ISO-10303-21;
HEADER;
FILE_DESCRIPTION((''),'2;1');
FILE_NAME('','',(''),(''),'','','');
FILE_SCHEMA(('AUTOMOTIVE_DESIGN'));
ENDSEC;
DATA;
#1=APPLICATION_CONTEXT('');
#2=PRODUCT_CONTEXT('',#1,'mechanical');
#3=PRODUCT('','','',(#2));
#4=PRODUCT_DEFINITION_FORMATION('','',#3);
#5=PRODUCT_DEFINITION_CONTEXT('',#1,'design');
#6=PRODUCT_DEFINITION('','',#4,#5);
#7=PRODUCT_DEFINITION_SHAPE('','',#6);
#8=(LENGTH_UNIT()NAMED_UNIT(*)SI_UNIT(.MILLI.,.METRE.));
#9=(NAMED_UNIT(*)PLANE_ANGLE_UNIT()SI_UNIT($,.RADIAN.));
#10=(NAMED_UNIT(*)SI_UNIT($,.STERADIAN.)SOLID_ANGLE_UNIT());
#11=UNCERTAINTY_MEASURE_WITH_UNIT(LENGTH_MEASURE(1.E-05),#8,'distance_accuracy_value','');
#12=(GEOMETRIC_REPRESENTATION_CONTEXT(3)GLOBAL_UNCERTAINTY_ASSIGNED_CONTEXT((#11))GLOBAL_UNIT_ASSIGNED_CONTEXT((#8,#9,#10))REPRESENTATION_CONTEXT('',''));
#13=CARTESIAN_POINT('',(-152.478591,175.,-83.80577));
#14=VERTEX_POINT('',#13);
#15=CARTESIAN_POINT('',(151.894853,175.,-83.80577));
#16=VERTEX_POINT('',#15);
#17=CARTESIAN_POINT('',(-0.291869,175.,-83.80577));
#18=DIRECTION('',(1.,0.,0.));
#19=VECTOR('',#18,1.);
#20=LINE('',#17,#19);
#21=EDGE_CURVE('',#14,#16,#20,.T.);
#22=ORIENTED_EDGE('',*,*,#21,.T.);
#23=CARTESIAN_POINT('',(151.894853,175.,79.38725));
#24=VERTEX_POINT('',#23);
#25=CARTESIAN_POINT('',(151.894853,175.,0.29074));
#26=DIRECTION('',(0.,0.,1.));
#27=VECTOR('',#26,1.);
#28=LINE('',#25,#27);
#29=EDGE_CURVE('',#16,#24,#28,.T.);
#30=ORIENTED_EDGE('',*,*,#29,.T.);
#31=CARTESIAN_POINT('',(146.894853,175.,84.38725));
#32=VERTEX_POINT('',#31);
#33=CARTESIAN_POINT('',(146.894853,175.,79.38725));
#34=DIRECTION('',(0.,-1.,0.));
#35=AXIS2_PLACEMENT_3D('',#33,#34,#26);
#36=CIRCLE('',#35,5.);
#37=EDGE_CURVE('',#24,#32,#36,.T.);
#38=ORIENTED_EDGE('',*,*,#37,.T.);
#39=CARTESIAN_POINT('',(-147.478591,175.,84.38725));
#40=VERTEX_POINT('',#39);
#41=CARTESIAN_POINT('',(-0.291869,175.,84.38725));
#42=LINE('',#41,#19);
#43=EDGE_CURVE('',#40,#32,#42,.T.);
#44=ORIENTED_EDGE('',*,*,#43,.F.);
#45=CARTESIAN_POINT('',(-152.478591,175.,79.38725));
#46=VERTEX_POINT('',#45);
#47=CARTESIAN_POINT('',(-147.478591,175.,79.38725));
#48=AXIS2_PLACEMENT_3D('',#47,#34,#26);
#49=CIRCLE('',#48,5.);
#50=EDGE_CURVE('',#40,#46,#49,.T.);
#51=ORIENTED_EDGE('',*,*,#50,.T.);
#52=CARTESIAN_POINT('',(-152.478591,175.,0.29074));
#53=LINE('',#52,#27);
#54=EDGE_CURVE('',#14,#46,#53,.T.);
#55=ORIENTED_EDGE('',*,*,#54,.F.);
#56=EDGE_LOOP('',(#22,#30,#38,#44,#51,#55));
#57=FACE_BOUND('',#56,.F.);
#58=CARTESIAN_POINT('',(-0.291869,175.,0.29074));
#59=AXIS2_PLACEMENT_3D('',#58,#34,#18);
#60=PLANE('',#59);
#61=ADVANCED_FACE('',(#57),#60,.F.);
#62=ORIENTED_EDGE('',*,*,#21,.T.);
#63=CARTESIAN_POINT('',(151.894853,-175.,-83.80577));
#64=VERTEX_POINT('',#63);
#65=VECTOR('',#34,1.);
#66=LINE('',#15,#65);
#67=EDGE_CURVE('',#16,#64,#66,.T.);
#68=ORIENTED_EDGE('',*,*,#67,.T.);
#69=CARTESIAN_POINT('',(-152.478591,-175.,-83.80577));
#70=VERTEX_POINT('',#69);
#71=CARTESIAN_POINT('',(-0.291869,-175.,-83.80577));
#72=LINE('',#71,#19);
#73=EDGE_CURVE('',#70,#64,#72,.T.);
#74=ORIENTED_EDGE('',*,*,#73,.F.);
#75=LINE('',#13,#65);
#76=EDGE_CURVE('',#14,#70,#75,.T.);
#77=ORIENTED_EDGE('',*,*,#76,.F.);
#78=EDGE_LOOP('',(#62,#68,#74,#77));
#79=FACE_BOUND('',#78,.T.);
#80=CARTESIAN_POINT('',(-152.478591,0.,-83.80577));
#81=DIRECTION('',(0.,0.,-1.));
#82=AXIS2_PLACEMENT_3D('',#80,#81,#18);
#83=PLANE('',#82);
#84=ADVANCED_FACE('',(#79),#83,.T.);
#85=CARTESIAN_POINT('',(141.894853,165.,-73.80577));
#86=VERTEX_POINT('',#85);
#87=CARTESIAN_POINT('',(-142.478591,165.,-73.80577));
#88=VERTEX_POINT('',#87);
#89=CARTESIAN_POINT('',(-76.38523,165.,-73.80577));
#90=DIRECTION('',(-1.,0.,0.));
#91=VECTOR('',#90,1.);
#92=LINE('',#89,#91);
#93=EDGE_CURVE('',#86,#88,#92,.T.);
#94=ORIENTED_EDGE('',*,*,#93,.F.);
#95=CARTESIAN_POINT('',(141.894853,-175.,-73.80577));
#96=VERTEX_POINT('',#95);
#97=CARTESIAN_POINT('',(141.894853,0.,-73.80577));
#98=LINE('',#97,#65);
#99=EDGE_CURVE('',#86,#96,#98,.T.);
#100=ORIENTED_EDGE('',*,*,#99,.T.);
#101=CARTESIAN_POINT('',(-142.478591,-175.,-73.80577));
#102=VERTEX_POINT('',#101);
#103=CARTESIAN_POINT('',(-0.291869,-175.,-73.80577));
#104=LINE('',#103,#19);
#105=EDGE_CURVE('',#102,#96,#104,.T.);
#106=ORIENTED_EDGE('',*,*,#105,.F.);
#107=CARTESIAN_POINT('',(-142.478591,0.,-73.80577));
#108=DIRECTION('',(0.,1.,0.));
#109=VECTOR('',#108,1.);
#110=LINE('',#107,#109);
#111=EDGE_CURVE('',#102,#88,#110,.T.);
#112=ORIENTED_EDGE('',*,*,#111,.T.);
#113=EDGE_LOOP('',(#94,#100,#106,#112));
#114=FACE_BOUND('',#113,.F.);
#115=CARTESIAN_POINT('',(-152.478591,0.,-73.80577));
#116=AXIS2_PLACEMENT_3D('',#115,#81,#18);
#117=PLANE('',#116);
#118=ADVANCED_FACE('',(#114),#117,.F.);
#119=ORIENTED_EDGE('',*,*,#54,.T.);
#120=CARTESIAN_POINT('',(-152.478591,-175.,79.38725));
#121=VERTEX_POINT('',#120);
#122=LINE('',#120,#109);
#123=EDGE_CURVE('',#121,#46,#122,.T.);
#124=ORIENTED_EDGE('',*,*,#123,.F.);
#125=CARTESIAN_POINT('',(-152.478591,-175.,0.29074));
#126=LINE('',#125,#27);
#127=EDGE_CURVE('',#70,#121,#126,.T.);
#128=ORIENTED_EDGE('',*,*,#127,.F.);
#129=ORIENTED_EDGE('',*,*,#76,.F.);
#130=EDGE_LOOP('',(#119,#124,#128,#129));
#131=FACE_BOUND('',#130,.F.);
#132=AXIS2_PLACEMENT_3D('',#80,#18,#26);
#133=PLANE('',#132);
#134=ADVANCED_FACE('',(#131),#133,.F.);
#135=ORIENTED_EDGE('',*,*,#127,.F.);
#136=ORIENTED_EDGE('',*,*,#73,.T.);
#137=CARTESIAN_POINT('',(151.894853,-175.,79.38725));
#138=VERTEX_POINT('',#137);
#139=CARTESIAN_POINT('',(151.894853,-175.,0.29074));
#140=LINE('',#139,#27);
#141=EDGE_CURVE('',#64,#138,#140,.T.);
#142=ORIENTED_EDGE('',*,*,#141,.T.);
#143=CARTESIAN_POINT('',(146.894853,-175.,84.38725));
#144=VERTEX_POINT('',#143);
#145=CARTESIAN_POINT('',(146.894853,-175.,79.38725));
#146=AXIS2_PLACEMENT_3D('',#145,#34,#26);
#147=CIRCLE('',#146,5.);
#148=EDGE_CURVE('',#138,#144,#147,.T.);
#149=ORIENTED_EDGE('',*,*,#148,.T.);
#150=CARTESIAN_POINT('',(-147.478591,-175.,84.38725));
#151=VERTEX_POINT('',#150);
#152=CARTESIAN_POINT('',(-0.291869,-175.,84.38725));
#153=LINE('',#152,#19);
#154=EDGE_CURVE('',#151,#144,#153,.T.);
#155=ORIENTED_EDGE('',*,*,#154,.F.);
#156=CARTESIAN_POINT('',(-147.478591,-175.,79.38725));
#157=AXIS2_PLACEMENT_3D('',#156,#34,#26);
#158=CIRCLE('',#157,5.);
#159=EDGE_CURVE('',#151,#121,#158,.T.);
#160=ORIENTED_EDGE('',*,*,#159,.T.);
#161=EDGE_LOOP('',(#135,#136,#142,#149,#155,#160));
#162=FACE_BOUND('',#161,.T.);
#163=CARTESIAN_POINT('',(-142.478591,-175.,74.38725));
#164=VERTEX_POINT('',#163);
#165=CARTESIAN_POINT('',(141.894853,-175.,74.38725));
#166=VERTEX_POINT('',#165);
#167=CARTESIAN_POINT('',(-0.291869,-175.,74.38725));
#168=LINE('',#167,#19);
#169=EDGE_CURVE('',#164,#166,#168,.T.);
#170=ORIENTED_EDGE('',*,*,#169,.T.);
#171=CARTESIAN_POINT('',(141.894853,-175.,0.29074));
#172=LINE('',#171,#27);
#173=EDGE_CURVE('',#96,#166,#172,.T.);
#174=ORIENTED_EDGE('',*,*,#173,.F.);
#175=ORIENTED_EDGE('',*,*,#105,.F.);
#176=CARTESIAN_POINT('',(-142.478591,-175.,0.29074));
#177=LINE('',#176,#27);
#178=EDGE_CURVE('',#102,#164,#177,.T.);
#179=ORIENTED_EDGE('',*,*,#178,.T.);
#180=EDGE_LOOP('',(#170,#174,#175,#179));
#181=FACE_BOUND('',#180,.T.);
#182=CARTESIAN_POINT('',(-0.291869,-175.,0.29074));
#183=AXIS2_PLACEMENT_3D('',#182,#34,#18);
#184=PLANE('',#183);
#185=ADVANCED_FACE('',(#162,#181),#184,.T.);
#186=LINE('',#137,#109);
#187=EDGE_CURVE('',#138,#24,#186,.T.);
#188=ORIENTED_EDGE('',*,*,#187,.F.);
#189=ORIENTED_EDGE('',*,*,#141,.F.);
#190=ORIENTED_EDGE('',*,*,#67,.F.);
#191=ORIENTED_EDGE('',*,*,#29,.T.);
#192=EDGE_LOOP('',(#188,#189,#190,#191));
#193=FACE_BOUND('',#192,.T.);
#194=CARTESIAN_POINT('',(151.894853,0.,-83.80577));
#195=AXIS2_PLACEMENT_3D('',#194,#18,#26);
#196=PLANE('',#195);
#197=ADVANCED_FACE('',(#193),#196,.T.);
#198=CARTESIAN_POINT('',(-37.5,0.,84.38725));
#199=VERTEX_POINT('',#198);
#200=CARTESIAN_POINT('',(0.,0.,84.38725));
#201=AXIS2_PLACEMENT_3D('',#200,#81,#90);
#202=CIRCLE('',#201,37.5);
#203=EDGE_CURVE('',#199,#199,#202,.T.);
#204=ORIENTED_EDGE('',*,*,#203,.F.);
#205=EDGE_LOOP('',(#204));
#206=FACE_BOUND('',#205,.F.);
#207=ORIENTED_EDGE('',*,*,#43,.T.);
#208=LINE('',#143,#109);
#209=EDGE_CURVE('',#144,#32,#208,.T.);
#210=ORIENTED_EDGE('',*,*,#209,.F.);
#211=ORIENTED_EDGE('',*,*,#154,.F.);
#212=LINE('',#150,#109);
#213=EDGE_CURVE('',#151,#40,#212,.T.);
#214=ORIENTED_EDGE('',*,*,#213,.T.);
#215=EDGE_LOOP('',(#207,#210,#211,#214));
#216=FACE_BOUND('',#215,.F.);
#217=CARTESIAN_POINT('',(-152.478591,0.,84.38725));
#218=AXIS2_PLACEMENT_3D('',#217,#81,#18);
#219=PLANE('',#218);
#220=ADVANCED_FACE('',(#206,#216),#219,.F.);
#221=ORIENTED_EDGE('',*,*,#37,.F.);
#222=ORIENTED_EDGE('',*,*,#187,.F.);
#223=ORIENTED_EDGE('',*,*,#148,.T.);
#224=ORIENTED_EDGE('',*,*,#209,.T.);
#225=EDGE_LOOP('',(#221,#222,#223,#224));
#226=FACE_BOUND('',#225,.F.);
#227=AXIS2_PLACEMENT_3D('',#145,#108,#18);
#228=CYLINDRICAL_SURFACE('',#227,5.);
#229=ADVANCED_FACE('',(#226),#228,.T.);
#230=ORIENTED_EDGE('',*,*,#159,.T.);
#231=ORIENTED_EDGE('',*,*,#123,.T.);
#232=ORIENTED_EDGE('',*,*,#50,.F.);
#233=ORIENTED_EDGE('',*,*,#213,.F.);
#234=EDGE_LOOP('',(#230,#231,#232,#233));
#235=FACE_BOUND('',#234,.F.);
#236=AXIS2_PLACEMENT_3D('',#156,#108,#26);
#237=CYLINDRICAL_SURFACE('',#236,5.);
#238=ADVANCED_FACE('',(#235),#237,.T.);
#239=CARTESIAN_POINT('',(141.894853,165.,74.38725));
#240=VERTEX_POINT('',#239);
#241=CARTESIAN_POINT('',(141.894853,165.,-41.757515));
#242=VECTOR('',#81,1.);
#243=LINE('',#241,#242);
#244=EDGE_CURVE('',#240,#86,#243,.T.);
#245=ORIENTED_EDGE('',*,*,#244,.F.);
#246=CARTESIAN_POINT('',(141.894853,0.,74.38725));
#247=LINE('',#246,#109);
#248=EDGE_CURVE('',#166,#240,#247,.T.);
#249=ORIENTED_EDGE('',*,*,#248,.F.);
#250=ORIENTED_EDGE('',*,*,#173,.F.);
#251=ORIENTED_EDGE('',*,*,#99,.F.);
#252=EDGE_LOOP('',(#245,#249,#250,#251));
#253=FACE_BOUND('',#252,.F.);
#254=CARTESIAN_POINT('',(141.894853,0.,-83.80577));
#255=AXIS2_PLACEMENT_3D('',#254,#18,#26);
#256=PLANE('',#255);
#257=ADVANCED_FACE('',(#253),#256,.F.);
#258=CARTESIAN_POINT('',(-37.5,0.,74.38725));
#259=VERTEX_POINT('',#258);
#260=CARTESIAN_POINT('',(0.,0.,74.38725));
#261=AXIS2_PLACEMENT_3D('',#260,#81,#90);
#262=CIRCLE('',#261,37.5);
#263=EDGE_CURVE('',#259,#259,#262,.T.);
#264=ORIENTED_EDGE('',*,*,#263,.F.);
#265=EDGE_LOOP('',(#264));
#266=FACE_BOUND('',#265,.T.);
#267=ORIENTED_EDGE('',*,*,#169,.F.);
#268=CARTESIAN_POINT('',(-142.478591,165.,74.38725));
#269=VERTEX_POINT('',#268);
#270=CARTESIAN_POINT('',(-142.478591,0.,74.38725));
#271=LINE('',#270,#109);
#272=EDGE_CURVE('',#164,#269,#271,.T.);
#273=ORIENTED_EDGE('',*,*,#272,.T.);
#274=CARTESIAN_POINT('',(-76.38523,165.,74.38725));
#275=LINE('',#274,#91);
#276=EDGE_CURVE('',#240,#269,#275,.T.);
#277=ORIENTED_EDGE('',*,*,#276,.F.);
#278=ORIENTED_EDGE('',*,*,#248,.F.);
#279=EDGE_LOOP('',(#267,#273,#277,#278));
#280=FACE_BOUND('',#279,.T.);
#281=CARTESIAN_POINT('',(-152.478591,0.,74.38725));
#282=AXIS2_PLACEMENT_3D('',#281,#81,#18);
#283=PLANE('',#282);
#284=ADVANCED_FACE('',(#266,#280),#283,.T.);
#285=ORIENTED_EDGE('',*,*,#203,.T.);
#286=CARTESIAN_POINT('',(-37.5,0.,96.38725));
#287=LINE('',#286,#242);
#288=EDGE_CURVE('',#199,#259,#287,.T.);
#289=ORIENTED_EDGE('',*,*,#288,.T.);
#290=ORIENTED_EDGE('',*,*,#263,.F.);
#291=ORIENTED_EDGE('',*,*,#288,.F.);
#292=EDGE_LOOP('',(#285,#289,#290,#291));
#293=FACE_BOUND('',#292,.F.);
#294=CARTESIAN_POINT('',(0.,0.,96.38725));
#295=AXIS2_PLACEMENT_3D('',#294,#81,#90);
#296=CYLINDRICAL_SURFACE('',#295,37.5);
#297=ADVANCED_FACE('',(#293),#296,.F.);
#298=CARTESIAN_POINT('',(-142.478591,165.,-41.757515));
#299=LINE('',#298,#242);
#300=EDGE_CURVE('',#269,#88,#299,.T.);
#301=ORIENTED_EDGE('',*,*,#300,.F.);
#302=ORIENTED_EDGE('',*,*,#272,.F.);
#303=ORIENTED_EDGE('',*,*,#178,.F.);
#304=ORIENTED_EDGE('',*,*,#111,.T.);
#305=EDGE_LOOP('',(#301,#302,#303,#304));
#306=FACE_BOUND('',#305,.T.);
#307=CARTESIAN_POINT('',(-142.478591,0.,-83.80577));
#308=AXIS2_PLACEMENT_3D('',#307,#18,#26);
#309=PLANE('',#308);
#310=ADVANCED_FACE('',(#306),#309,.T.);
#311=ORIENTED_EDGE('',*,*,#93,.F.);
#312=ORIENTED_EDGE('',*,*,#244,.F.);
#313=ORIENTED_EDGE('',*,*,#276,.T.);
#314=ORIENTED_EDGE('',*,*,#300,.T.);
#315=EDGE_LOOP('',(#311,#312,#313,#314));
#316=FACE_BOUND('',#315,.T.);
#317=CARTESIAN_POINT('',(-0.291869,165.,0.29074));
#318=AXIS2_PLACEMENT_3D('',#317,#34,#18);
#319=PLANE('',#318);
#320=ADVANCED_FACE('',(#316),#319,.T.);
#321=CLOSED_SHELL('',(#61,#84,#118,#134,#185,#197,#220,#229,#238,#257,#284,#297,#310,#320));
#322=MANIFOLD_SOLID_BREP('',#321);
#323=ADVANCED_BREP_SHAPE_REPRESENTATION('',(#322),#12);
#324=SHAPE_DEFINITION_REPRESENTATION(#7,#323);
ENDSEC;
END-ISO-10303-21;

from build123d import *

# Parameters (mm, degrees)
F0_W     = 304.373444
F0_H     = 168.19302
F1_DEPTH = 175
F2_T     = -10
F4_D     = 75
F4_DEPTH = 12
F5_R     = 5


with BuildPart() as f1:
    # F0 (on Front) → F1 (new body, symmetric)
    with BuildSketch(Plane.XZ):
        with Locations((-0.291869, 0.29074)):
            Rectangle(F0_W, F0_H)
    extrude(amount=F1_DEPTH, both=True)

    # F2
    f2_openings = [f1.faces().sort_by_distance(p)[0] for p in [
        (-0.291869, -175, 0.29074),
    ]]
    offset(amount=F2_T, openings=f2_openings)

    # F4
    with Locations(Plane.XY.offset(84.38725)):
        with Locations((0, 0)):
            Hole(F4_D / 2, depth=F4_DEPTH)

    # F5
    f5_edges = [f1.edges().sort_by_distance(p)[0] for p in [
        (-152.478591, 0, 84.38725),
        (151.894853, 0, 84.38725),
    ]]
    fillet(f5_edges, radius=F5_R)


solid = f1.part
